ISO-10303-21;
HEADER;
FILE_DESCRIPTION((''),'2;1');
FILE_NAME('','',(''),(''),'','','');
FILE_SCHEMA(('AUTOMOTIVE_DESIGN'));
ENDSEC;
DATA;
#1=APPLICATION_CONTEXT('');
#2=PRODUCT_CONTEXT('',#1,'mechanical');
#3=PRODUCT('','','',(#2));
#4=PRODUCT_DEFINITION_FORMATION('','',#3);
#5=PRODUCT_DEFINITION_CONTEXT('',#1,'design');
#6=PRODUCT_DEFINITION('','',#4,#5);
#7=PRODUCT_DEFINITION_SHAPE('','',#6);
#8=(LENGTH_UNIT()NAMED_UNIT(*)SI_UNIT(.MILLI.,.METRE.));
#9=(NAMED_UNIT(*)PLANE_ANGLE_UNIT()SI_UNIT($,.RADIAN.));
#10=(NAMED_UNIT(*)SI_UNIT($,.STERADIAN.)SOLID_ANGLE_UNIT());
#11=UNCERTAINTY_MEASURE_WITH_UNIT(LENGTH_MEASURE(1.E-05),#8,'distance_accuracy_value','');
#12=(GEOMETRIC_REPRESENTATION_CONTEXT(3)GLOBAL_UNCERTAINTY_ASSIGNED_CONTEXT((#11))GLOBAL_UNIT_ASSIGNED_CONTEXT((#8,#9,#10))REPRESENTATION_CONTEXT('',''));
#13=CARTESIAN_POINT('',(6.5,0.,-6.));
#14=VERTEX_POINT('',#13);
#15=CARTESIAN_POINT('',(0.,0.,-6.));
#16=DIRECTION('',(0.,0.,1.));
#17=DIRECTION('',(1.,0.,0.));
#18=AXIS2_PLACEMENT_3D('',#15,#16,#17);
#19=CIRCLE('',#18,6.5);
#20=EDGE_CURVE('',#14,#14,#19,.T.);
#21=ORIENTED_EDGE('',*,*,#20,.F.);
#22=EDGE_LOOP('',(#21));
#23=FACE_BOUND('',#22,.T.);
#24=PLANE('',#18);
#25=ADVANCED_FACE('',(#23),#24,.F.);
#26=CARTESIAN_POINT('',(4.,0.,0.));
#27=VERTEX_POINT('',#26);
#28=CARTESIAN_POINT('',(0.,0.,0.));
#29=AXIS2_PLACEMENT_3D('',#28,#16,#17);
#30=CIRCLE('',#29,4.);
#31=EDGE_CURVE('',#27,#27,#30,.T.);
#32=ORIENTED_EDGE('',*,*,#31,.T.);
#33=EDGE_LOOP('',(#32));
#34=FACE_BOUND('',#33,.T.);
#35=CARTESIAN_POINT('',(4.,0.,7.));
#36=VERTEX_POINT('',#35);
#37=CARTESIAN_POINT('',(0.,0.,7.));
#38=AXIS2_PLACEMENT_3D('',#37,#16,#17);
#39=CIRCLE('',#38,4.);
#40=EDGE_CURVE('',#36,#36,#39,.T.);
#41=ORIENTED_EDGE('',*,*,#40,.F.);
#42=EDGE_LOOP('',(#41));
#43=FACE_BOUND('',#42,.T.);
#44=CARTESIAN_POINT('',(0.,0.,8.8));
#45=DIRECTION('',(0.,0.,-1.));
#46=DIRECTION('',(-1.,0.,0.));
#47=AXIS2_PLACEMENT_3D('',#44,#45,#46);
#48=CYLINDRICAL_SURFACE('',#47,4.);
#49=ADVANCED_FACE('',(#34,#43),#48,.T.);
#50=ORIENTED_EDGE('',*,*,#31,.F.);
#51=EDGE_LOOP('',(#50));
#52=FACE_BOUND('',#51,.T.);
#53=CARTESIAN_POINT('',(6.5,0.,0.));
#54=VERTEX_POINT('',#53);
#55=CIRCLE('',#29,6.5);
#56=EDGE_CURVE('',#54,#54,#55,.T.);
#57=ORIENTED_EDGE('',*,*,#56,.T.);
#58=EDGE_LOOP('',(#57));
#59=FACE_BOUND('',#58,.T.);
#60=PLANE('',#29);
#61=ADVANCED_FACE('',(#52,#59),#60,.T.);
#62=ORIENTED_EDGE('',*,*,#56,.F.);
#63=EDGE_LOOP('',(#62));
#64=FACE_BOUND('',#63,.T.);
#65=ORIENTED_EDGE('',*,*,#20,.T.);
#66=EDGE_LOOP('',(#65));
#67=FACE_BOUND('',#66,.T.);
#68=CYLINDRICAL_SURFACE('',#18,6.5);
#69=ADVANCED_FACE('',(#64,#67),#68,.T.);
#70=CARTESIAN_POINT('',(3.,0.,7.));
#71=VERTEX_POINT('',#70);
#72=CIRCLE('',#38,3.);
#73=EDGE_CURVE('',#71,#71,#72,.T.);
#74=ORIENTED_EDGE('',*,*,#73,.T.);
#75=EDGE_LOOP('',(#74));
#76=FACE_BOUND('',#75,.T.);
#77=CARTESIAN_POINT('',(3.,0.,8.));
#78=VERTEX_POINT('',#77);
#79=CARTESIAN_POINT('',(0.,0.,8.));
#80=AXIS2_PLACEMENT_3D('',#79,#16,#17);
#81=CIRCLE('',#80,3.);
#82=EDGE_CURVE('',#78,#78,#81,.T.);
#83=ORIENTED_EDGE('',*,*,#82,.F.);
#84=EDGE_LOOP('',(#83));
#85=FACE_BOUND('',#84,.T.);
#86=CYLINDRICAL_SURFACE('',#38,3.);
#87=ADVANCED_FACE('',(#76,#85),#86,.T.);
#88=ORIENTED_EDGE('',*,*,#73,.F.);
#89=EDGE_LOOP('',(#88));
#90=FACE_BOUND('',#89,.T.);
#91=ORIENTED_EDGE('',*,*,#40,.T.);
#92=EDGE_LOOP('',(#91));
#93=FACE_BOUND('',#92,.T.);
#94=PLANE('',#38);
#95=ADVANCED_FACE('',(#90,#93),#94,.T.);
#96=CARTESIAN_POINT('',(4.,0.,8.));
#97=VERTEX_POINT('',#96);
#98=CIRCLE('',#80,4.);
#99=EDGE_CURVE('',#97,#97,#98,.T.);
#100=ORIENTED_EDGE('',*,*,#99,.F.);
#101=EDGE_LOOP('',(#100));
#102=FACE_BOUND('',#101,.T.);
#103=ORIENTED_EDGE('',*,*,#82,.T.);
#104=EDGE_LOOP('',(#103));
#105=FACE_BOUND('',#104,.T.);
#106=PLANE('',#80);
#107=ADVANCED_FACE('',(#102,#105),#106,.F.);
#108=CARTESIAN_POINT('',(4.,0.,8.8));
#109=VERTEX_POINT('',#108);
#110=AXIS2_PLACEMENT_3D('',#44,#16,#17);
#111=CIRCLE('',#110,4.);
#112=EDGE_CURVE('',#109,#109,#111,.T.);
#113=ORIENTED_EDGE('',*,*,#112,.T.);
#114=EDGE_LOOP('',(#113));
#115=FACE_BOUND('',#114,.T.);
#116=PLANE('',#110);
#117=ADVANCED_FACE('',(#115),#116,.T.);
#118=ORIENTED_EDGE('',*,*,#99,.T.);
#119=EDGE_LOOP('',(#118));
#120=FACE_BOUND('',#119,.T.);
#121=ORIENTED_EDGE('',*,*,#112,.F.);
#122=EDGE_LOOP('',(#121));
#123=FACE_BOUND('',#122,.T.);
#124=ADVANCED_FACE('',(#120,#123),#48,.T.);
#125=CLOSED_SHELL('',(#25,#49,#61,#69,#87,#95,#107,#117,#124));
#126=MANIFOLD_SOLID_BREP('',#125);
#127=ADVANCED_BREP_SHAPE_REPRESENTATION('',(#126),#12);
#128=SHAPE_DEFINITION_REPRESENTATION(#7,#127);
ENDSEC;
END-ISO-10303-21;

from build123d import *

# Parameters (mm, degrees)
SKETCH1_R           = 6.5
BOSS_EXTRUDE1_DEPTH = 6
SKETCH2_R           = 4
BOSS_EXTRUDE2_DEPTH = 8.8
SKETCH3_R           = 4
SKETCH3_R_2         = 3
CUT_EXTRUDE1_DEPTH  = 0.5


with BuildPart() as part:
    # Sketch1 → Boss-Extrude1 (new body)
    with BuildSketch(Plane.XY):
        Circle(SKETCH1_R)
    extrude(amount=-BOSS_EXTRUDE1_DEPTH)

    # Sketch2 → Boss-Extrude2 (add)
    with BuildSketch(Plane.XY):
        Circle(SKETCH2_R)
    extrude(amount=BOSS_EXTRUDE2_DEPTH)

    # Sketch3 → Cut-Extrude1 (cut, symmetric)
    with BuildSketch(Plane.XY.offset(7.5)):
        Circle(SKETCH3_R)
        Circle(SKETCH3_R_2, mode=Mode.SUBTRACT)
    extrude(amount=CUT_EXTRUDE1_DEPTH, both=True, mode=Mode.SUBTRACT)


solid = part.part
